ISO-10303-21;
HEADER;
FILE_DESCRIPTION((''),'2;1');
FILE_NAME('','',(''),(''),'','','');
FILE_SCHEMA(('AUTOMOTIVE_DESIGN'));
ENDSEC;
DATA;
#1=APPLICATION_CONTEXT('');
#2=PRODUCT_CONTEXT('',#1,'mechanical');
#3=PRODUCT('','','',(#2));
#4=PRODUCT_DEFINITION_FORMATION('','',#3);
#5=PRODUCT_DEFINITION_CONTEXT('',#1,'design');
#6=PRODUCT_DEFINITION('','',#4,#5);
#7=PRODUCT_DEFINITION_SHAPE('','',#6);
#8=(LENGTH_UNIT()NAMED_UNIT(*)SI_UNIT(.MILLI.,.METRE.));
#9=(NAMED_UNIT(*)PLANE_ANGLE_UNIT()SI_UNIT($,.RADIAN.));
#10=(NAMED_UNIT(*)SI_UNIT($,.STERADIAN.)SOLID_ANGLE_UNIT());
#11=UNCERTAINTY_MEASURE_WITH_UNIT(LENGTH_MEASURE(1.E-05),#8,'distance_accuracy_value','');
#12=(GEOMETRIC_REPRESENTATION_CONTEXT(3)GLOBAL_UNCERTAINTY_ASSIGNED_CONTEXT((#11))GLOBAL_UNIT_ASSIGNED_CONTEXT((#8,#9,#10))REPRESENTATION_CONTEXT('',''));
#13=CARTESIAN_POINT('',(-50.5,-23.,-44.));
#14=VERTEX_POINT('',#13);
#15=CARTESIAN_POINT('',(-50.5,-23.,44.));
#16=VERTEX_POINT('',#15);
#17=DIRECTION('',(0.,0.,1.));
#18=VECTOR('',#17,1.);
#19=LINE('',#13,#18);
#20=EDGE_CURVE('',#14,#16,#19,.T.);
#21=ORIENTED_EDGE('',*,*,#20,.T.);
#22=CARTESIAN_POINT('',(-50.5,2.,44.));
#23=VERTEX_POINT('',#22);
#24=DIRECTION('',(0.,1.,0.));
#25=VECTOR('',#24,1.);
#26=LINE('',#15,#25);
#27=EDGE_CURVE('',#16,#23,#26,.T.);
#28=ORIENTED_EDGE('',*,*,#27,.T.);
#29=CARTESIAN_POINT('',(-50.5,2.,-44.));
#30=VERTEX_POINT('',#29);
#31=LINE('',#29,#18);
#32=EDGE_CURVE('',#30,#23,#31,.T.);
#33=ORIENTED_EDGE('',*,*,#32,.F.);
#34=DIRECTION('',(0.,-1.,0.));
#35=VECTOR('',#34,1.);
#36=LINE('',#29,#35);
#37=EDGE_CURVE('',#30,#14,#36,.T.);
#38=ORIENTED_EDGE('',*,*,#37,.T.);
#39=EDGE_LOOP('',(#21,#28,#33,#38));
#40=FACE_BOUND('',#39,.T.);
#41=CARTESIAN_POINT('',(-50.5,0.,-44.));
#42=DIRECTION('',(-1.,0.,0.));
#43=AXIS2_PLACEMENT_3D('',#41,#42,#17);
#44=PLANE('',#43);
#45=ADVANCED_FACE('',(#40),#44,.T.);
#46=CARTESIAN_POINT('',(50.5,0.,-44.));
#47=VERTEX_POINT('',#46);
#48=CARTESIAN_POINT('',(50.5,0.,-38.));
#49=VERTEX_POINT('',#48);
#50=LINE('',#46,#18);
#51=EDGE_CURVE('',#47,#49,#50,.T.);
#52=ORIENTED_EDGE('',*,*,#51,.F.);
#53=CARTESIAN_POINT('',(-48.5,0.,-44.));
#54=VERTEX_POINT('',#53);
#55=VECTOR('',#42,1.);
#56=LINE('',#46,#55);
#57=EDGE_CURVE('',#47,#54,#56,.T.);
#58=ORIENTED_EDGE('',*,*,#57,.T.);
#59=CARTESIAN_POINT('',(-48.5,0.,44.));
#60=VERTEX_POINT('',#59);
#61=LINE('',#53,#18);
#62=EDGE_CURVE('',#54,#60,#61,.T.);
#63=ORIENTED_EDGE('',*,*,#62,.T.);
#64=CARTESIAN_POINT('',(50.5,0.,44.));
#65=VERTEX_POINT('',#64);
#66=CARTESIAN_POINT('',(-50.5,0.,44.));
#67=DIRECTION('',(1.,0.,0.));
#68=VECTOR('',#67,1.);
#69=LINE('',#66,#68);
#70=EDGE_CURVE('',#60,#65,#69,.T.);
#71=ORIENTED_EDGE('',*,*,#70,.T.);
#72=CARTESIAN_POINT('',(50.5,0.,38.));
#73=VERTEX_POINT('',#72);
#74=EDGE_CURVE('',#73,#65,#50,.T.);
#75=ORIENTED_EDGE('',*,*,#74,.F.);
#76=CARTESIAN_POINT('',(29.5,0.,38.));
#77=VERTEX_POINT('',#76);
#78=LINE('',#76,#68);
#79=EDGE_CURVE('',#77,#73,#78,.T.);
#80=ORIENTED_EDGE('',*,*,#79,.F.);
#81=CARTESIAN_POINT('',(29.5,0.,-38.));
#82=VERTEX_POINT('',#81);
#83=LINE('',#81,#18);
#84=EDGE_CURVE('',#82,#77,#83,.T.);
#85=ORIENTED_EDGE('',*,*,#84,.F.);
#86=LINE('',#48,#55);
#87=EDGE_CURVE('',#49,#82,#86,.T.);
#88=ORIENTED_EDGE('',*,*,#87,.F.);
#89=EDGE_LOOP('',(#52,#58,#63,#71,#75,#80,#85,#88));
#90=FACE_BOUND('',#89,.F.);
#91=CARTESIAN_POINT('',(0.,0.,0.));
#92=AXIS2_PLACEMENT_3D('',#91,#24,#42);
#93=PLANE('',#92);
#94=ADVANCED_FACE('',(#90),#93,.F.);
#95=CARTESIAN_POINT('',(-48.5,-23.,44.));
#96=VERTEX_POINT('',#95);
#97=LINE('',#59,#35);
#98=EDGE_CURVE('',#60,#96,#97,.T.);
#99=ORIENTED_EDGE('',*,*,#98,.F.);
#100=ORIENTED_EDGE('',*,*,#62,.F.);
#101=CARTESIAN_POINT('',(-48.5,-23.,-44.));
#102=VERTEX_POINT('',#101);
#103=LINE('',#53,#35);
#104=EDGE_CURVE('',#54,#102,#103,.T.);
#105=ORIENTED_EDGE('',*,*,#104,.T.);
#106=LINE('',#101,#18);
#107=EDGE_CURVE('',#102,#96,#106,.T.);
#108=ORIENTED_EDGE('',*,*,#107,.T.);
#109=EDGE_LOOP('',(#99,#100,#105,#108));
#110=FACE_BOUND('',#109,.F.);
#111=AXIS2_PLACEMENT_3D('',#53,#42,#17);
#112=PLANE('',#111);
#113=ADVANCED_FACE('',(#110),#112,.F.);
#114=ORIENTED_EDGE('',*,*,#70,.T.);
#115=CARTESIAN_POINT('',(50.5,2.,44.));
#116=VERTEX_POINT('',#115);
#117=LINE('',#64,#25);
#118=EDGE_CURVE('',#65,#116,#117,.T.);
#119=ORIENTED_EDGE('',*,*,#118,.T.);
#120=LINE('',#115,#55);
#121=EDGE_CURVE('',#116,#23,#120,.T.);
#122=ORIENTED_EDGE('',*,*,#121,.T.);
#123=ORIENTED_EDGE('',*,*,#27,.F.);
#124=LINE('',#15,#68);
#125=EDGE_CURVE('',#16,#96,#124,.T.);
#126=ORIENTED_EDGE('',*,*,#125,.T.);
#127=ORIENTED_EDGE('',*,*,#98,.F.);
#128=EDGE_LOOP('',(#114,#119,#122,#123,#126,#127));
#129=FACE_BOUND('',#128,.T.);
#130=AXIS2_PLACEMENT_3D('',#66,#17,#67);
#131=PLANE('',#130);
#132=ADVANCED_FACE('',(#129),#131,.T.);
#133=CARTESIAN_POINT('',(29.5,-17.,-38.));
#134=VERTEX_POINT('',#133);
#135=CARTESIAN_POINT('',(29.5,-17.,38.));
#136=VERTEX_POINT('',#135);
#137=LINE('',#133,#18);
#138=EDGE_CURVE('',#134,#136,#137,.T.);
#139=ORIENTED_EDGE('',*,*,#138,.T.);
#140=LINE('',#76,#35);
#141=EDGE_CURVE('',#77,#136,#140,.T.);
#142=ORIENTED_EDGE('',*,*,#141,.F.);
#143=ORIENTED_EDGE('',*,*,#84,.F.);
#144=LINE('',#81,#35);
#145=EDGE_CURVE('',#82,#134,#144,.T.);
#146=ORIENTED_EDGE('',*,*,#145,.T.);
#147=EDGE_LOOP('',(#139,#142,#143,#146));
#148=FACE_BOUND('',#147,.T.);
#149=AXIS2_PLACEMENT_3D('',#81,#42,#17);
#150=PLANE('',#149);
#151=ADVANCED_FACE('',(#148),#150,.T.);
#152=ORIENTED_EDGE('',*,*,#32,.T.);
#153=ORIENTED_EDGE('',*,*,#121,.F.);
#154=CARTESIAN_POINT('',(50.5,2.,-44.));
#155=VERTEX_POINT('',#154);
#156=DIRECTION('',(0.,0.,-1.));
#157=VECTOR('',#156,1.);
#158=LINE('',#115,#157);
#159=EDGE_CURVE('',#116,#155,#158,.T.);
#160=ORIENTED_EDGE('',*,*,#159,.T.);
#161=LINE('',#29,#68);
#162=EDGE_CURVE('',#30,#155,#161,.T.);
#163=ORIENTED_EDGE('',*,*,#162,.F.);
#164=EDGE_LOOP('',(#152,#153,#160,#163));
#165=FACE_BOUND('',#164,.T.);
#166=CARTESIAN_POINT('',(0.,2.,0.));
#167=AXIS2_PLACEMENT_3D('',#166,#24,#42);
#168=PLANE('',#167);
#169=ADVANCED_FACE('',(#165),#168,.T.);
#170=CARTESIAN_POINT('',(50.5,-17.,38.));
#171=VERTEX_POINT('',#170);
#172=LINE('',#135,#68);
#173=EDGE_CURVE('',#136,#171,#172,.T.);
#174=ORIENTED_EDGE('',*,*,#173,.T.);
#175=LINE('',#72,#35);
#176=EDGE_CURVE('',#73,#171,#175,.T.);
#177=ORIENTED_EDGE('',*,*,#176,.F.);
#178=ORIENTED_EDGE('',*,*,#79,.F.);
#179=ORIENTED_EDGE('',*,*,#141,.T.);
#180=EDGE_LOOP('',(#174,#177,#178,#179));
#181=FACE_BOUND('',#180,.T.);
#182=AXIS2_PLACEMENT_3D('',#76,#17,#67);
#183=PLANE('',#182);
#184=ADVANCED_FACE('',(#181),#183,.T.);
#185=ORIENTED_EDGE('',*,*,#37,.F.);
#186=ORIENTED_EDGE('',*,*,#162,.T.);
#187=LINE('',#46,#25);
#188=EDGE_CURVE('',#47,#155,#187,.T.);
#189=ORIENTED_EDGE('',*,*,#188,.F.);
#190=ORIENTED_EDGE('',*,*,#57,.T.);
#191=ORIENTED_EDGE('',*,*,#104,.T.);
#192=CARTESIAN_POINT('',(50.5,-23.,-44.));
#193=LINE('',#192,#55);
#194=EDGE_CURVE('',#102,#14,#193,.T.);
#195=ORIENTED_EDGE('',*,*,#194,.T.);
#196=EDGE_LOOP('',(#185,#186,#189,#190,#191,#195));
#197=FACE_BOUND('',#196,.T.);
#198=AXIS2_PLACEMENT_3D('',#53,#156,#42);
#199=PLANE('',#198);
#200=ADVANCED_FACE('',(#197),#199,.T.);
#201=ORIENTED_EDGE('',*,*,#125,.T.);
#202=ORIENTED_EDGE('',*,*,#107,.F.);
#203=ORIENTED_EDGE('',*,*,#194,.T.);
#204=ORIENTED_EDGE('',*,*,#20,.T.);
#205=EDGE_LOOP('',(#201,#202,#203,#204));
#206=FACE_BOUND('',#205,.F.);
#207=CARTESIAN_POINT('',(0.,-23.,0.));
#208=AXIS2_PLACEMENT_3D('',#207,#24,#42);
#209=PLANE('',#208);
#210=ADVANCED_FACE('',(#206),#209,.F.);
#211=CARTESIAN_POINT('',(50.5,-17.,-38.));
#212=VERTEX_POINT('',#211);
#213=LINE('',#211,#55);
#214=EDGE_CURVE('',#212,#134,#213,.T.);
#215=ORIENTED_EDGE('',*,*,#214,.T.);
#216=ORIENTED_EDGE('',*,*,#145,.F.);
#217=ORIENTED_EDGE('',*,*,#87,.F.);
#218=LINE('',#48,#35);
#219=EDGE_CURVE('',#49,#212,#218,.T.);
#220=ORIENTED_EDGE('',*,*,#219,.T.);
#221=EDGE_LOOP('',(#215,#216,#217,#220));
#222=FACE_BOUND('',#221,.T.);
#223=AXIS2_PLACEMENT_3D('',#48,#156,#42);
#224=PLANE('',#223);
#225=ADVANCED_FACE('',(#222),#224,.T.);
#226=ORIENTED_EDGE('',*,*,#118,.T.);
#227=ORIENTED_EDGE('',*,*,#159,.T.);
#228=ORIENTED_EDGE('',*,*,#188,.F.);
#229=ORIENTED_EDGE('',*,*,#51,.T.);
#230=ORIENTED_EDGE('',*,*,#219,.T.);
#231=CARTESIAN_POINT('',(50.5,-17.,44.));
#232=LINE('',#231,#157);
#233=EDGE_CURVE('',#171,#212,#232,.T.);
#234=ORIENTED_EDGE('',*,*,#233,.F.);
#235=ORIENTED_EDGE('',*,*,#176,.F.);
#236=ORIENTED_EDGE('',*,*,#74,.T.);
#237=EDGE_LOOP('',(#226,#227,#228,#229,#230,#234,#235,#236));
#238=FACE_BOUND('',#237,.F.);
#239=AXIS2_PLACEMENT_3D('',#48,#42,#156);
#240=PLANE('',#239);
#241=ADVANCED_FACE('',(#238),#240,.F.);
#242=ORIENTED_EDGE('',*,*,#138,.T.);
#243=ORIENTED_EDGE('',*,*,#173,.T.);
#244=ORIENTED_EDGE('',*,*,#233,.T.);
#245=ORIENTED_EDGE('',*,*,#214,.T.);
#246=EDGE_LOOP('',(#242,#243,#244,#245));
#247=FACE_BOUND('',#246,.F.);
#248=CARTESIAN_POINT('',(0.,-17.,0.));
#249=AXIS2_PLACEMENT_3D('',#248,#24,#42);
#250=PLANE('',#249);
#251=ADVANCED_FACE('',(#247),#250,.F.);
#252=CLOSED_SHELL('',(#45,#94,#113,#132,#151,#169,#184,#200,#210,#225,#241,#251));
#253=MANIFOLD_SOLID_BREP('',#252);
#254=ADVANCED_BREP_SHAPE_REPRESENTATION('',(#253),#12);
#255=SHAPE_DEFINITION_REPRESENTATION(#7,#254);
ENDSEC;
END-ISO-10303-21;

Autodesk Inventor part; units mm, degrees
ref_plane "YZ Plane" through (0, 0, 0) normal (1, 0, 0) x (0, 1, 0)
ref_plane "XZ Plane" through (0, 0, 0) normal (0, 1, 0) x (-1, 0, 0)
sketch "Esboço1" plane through (0, 0, 0) normal (0, 1, 0) x (-1, 0, 0)
  line L0 (50.5, 44) -> (-50.5, 44)
  line L1 (-50.5, 44) -> (-50.5, -44)
  line L2 (-50.5, -44) -> (50.5, -44)
  line L3 (50.5, -44) -> (50.5, 44)
  line L4 (50.5, 44) -> (-50.5, -44) construction
  line L5 (-50.5, 44) -> (50.5, -44) construction
  line L6 (-29.5, 38) -> (-50.5, 38)
  line L7 (-50.5, 38) -> (-50.5, -38)
  line L8 (-50.5, -38) -> (-29.5, -38)
  line L9 (-29.5, -38) -> (-29.5, 38)
  line L10 (-29.5, 38) -> (-50.5, -38) construction
  line L11 (-50.5, 38) -> (-29.5, -38) construction
  line L12 (48.5, -44) -> (48.5, 44)
  point P0 (0, 0)
  point P1 (-40, 0)
  dimension "d0" = 101
  dimension "d1" = 88
  dimension "d2" = 21
  dimension "d3" = 76
  dimension "d4" = 2
extrude "Extrusão1" add sketch "Esboço1" along normal blind 2
extrude "Extrusão2" add sketch "Esboço1" against normal blind 23 contours L3 L2 L12 L0
extrude "Extrusão3" add sketch "Esboço1" against normal blind 17 contours L6 L9 L8 L1
ref_plane "Plano de trabalho1" through (0, 0, 0) normal (0, 1, 0) x (1, 0, 0)
split_face "Dividir1"
sketch "Esboço2" plane through (0, 2, 0) normal (0, 1, 0) x (1, 0, 0)
  line L0 (-50.5, 44) -> (-50.5, -44) projected
  line L1 (-40, -40) -> (-40, 40) construction
  line L2 (-40, 40) -> (40, 40) construction
  line L3 (40, 40) -> (40, -40) construction
  line L4 (40, -40) -> (-40, -40) construction
  line L5 (-40, -40) -> (40, 40) construction
  point P0 (0, 0)
  point P1 (0, 0)
  dimension "d25" = 80
properties part number "Bitdoglab"
